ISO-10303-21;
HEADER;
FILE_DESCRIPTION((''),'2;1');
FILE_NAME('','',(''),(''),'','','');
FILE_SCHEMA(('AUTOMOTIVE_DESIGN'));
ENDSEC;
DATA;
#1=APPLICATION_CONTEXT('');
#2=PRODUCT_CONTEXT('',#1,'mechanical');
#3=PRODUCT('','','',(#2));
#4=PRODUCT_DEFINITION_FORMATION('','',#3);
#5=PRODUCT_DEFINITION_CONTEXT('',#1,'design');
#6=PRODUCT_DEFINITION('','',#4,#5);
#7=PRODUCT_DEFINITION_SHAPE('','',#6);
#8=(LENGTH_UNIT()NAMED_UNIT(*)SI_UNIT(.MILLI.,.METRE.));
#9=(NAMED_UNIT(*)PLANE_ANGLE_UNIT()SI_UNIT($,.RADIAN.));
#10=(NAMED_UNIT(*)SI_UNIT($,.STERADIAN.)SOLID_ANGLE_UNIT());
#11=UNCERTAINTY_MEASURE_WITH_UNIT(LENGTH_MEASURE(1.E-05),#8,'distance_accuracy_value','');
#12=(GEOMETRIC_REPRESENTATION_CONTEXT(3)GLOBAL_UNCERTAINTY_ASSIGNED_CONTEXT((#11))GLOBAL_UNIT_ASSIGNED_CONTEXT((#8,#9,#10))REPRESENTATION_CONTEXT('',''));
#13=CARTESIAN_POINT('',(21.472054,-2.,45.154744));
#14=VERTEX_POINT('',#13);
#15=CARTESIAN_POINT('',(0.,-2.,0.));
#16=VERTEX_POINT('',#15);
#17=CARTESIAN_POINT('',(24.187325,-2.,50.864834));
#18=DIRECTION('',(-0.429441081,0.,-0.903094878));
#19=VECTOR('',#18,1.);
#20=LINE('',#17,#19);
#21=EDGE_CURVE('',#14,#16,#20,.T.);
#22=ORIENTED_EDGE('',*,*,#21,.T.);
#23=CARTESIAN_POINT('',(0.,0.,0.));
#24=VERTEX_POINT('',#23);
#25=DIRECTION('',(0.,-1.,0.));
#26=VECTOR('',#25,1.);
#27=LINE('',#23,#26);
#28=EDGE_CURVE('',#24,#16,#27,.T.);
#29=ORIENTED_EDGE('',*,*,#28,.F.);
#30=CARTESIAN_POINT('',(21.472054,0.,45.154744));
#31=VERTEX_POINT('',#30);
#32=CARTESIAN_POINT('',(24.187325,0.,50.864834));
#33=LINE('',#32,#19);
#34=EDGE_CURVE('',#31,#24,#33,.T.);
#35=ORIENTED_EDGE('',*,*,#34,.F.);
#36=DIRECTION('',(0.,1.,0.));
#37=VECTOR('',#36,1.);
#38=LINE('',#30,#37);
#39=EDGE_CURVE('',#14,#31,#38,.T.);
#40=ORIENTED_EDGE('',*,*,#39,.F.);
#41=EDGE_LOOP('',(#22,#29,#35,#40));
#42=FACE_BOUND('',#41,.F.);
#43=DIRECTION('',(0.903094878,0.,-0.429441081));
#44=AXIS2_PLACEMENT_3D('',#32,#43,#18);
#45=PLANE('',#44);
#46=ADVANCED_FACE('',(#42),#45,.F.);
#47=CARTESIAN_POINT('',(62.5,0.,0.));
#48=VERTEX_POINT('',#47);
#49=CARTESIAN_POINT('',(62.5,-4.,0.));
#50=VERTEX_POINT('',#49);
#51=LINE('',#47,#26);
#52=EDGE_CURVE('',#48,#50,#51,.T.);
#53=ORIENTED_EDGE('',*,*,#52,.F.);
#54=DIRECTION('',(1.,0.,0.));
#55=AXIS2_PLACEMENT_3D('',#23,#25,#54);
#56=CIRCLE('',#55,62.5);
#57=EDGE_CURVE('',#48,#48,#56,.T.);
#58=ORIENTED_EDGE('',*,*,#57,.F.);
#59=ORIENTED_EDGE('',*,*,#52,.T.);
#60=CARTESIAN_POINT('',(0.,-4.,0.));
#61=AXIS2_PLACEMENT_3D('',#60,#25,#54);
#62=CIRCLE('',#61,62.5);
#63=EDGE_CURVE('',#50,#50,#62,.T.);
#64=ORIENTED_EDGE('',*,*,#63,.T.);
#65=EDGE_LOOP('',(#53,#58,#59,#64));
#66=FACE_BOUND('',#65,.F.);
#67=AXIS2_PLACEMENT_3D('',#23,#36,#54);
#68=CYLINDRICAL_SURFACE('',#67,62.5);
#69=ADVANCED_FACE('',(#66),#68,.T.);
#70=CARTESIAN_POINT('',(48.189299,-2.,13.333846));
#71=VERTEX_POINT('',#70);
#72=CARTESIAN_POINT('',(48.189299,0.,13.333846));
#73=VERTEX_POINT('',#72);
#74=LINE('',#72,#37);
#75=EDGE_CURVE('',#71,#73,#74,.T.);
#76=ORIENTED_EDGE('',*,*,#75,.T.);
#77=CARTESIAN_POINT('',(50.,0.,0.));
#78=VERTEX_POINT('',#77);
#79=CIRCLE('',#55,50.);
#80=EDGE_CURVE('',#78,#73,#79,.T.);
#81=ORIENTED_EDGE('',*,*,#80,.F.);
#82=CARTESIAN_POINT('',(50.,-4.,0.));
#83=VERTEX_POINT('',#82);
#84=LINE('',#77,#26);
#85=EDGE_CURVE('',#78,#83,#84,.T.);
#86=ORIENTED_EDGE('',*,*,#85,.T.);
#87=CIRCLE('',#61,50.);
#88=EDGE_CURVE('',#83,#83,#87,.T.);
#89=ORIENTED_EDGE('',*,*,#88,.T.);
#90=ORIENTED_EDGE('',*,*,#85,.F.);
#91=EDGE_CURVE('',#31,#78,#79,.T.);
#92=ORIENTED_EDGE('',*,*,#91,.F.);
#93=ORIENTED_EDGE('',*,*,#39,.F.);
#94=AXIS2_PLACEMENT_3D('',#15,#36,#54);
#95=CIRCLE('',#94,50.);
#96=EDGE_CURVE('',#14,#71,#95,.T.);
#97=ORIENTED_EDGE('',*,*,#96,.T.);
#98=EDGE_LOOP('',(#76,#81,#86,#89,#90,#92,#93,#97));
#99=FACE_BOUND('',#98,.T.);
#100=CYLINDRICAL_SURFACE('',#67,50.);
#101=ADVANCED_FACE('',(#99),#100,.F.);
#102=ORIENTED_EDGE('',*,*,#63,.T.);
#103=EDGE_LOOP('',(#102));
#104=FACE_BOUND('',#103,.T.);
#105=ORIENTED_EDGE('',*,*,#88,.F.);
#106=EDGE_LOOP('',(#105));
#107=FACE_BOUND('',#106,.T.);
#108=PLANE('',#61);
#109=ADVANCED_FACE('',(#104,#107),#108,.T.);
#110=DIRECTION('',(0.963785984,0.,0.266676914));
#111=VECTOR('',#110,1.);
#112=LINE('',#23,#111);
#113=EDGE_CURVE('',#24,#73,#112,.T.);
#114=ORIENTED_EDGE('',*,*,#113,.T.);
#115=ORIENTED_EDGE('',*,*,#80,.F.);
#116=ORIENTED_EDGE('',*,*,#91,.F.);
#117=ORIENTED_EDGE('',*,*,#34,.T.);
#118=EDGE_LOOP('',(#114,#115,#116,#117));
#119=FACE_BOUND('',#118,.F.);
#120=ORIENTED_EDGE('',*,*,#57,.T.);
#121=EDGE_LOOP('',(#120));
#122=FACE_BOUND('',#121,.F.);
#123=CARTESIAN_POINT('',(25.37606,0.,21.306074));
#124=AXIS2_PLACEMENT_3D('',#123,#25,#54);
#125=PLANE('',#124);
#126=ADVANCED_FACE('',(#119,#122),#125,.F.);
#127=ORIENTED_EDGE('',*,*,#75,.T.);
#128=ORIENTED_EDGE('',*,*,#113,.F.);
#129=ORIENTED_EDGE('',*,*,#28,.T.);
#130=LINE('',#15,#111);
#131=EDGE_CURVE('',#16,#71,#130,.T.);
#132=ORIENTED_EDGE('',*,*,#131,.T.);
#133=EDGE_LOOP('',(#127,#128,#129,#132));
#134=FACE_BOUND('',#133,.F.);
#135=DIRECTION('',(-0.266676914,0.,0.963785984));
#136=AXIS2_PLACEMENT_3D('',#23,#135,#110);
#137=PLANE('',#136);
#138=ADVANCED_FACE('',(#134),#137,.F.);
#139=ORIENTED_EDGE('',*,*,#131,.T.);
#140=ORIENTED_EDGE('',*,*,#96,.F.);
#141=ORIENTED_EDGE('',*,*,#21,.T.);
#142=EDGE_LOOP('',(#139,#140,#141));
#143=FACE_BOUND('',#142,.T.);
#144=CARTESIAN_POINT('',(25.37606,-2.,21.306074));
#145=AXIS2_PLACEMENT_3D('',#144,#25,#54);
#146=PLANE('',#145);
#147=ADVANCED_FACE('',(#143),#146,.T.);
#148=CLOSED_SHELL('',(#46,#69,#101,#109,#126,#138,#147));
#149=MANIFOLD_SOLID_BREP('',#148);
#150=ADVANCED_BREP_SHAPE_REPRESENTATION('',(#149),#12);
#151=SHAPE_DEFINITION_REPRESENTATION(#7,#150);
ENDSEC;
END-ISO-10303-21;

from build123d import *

# Parameters (mm, degrees)
F0_R     = 62.5
F0_R_2   = 50
F1_DEPTH = 4
F3_DEPTH = 2


with BuildPart() as f1:
    # F0 (on Front) → F1 (new body)
    with BuildSketch(Plane.XZ):
        Circle(F0_R)
        Circle(F0_R_2, mode=Mode.SUBTRACT)
    extrude(amount=F1_DEPTH)

    # F2 (on Front) → F3 (join)
    with BuildSketch(Plane.XZ):
        Polygon((0, 0), (54.283127, 15.019991), (24.187325, 50.864834), align=None)
    extrude(amount=F3_DEPTH)


solid = f1.part
